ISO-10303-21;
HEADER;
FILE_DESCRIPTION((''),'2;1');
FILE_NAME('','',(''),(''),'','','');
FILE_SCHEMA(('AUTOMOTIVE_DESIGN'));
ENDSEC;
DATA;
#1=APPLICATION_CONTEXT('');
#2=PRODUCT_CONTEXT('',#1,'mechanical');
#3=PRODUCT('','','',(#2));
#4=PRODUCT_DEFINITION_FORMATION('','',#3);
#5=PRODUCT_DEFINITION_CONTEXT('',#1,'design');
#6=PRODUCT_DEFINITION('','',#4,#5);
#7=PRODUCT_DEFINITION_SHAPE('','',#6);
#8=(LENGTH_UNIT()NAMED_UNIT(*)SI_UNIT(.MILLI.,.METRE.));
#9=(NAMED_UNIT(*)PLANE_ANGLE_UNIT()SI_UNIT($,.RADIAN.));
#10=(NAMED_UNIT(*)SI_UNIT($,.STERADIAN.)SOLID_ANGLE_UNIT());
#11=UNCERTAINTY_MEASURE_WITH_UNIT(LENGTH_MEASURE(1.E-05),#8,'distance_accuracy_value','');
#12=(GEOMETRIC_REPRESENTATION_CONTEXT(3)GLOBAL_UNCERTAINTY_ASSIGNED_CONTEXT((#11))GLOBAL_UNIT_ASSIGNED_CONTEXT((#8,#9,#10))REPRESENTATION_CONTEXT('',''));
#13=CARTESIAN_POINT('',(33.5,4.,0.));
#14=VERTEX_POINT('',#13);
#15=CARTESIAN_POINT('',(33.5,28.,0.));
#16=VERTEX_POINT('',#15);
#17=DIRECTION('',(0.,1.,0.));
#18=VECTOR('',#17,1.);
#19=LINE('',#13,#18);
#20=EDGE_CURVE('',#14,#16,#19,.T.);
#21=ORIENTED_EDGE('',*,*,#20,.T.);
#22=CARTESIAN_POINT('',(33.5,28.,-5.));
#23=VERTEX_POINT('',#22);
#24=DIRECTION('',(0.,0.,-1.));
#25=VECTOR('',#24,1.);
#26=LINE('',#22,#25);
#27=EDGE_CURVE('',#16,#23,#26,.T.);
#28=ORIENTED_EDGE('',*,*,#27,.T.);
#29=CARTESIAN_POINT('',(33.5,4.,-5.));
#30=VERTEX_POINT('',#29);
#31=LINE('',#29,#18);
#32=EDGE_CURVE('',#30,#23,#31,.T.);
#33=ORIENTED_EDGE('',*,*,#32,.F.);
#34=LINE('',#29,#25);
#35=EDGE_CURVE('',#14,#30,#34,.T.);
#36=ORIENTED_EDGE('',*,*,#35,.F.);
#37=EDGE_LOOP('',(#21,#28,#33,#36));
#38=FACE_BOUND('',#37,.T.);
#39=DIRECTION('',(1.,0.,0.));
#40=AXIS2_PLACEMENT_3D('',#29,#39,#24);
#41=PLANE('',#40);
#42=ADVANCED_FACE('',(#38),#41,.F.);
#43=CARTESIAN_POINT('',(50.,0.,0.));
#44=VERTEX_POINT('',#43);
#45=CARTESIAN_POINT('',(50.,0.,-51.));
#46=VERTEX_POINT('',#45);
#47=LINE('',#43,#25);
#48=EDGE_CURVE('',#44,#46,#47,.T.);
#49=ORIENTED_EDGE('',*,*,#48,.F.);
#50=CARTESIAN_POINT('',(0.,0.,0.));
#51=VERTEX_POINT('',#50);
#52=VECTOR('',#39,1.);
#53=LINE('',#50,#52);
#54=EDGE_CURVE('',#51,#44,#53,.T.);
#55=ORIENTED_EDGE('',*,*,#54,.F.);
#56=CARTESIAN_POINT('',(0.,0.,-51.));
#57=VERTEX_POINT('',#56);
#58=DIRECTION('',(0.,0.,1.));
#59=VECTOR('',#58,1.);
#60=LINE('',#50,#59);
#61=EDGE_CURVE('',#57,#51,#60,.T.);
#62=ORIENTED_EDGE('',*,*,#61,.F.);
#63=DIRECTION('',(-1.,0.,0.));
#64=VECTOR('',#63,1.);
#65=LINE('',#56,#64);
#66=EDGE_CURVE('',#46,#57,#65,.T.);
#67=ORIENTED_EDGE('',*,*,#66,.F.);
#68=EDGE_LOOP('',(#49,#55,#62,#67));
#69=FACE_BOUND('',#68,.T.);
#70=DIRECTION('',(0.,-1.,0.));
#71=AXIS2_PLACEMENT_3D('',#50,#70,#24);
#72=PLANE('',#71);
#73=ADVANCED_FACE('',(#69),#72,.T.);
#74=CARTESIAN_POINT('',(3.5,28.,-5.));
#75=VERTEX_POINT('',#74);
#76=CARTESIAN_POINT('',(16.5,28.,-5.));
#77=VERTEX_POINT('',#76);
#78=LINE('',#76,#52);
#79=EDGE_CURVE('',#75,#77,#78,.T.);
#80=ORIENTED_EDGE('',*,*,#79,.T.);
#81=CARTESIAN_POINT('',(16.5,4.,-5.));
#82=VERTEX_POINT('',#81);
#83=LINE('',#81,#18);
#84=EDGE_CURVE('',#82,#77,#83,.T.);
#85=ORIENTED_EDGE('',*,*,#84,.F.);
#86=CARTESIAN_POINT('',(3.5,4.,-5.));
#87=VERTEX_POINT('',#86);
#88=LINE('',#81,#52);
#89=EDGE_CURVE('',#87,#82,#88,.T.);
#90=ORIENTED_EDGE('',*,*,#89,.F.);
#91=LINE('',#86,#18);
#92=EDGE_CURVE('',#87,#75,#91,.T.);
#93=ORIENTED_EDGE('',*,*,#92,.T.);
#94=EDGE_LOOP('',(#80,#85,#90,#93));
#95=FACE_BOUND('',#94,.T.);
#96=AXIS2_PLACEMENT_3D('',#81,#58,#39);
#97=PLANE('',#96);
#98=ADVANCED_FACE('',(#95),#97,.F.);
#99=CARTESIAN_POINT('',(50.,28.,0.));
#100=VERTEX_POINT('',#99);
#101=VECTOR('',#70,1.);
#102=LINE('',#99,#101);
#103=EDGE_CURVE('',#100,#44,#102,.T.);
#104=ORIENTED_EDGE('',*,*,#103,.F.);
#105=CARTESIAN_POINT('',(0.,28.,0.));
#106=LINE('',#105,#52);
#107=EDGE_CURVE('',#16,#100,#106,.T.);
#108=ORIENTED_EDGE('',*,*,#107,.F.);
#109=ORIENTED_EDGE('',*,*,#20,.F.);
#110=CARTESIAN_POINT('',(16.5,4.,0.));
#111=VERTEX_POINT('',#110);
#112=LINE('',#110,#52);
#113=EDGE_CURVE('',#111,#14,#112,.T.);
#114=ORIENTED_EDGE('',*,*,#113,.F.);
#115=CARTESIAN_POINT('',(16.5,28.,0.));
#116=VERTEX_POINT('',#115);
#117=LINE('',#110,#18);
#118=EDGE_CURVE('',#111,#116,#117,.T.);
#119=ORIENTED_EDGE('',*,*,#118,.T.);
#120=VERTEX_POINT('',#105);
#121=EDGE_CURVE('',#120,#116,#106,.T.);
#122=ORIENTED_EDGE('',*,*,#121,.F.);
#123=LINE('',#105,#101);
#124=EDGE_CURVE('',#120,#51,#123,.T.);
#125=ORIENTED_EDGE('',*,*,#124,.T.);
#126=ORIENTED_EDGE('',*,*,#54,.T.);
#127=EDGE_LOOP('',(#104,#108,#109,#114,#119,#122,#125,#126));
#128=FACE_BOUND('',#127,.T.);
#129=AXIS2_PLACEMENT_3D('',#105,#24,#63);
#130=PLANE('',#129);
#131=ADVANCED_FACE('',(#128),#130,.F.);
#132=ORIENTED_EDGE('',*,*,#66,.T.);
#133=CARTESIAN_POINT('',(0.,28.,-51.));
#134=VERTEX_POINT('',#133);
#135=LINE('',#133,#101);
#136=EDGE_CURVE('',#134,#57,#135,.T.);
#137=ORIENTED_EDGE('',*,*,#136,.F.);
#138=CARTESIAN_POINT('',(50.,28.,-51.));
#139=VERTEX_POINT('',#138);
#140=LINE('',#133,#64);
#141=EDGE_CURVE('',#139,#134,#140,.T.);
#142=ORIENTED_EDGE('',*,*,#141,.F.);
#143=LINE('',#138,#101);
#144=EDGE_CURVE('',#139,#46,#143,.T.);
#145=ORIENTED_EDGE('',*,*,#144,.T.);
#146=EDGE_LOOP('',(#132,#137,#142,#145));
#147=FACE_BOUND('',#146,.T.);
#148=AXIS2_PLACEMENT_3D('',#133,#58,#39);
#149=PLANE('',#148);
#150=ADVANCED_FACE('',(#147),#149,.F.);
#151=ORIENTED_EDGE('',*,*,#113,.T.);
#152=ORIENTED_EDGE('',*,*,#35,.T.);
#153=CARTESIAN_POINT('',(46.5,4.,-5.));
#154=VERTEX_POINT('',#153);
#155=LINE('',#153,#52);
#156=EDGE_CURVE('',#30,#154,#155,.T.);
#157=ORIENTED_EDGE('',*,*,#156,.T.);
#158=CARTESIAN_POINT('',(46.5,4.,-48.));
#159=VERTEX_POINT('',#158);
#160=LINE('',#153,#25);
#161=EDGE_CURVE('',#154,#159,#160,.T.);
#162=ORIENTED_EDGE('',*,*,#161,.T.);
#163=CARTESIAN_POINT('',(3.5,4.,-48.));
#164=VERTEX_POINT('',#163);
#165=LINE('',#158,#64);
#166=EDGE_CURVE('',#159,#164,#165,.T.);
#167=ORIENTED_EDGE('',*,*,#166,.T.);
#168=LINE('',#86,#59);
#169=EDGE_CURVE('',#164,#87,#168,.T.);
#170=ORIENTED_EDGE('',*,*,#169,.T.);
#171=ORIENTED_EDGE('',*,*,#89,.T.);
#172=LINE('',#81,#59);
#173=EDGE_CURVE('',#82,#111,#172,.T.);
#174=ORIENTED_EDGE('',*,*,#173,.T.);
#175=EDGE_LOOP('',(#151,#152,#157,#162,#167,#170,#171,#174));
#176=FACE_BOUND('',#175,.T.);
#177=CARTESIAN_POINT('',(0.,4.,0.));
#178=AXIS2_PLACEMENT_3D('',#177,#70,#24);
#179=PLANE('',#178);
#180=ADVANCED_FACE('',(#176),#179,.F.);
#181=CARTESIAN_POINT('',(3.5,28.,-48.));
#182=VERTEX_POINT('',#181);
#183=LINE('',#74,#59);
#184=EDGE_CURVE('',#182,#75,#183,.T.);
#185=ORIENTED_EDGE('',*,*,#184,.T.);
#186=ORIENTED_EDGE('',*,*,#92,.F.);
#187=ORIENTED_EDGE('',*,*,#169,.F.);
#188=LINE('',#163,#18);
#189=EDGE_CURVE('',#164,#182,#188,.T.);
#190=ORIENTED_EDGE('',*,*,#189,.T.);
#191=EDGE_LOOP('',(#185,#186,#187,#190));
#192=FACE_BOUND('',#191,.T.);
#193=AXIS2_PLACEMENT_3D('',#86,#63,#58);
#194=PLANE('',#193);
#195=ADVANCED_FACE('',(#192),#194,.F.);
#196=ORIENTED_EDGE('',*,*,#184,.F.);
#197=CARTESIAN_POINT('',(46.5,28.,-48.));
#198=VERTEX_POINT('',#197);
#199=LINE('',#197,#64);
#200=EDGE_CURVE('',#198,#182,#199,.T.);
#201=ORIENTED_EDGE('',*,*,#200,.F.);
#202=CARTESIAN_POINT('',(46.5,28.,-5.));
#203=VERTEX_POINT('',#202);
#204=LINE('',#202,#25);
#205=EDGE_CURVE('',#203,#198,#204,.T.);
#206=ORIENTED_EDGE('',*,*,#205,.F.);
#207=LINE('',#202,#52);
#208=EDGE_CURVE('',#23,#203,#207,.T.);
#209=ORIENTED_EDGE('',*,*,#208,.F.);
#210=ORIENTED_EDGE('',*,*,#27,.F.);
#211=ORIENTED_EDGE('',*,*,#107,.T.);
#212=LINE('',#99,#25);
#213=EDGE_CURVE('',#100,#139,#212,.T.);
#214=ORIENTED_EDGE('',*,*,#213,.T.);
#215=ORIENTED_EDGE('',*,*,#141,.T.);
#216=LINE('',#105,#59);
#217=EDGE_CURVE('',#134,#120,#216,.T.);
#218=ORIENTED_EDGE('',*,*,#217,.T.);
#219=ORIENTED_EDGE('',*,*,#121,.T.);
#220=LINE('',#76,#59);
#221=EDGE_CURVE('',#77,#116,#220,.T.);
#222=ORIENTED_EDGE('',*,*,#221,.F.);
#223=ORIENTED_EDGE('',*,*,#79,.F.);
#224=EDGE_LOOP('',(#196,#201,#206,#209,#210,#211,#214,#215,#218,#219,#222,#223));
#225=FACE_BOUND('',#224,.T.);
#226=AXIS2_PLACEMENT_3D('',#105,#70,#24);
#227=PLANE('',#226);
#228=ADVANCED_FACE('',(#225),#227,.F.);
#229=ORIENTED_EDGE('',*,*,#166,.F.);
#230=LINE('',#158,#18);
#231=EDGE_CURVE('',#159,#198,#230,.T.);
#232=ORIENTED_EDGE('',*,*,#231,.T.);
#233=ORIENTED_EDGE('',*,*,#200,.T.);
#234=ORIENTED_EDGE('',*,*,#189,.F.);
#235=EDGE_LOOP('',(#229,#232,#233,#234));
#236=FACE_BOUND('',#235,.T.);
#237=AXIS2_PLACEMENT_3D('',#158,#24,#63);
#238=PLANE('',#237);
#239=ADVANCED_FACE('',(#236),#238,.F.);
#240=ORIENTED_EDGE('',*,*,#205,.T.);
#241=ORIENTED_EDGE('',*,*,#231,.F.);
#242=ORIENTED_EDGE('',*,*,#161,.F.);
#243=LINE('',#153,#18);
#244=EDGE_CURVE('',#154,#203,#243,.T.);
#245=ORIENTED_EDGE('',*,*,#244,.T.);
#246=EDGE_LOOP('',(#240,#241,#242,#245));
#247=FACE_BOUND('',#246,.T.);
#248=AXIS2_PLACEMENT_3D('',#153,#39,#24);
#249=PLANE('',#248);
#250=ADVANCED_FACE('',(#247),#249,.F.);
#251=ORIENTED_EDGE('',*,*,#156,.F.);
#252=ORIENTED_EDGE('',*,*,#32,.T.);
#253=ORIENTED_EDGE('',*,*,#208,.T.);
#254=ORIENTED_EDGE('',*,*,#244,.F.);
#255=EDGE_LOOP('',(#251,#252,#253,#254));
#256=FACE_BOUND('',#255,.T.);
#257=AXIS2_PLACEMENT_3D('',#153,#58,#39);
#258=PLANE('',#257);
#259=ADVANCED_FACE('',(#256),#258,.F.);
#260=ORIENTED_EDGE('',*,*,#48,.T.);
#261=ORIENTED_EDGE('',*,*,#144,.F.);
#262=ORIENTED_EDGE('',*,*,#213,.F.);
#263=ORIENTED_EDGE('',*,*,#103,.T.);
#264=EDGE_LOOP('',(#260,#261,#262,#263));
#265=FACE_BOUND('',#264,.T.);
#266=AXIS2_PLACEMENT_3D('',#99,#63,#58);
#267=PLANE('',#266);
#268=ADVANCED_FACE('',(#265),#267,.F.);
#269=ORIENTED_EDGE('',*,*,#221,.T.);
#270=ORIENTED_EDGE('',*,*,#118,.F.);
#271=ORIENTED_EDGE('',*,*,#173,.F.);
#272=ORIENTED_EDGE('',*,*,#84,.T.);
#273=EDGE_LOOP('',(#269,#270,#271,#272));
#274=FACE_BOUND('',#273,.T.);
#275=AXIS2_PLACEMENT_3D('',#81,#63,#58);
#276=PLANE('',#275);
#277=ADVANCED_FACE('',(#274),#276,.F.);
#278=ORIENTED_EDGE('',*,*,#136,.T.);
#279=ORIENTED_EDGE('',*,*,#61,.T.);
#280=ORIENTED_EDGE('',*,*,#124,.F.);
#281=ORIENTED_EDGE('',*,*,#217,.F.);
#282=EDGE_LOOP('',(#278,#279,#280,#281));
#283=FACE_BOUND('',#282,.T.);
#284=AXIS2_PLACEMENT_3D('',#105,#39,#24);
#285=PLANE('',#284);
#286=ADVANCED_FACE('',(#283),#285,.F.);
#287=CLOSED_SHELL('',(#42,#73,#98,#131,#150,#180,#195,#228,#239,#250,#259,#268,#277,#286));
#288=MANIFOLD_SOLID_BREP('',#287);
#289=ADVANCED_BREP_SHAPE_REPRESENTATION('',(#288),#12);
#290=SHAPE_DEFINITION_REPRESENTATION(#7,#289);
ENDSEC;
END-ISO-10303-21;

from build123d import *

# Parameters (mm, degrees)
SKETCH1_W           = 50
SKETCH1_H           = 51
BOSS_EXTRUDE1_DEPTH = 28
CUT_EXTRUDE1_DEPTH  = 24


with BuildPart() as part:
    # Sketch1 → Boss-Extrude1 (new body)
    with BuildSketch(Plane(origin=(0, 0, 0), x_dir=(1, 0, 0), z_dir=(0, 1, 0))):
        with Locations((25, 25.5)):
            Rectangle(SKETCH1_W, SKETCH1_H)
    extrude(amount=BOSS_EXTRUDE1_DEPTH)

    # Sketch2 → Cut-Extrude1 (cut)
    with BuildSketch(Plane(origin=(0, 28, 0), x_dir=(1, 0, 0), z_dir=(0, 1, 0))):
        Polygon((16.5, 5), (16.5, 0), (33.5, 0), (33.5, 5), (46.5, 5), (46.5, 48), (3.5, 48), (3.5, 5), align=None)
    extrude(amount=-CUT_EXTRUDE1_DEPTH, mode=Mode.SUBTRACT)


solid = part.part
